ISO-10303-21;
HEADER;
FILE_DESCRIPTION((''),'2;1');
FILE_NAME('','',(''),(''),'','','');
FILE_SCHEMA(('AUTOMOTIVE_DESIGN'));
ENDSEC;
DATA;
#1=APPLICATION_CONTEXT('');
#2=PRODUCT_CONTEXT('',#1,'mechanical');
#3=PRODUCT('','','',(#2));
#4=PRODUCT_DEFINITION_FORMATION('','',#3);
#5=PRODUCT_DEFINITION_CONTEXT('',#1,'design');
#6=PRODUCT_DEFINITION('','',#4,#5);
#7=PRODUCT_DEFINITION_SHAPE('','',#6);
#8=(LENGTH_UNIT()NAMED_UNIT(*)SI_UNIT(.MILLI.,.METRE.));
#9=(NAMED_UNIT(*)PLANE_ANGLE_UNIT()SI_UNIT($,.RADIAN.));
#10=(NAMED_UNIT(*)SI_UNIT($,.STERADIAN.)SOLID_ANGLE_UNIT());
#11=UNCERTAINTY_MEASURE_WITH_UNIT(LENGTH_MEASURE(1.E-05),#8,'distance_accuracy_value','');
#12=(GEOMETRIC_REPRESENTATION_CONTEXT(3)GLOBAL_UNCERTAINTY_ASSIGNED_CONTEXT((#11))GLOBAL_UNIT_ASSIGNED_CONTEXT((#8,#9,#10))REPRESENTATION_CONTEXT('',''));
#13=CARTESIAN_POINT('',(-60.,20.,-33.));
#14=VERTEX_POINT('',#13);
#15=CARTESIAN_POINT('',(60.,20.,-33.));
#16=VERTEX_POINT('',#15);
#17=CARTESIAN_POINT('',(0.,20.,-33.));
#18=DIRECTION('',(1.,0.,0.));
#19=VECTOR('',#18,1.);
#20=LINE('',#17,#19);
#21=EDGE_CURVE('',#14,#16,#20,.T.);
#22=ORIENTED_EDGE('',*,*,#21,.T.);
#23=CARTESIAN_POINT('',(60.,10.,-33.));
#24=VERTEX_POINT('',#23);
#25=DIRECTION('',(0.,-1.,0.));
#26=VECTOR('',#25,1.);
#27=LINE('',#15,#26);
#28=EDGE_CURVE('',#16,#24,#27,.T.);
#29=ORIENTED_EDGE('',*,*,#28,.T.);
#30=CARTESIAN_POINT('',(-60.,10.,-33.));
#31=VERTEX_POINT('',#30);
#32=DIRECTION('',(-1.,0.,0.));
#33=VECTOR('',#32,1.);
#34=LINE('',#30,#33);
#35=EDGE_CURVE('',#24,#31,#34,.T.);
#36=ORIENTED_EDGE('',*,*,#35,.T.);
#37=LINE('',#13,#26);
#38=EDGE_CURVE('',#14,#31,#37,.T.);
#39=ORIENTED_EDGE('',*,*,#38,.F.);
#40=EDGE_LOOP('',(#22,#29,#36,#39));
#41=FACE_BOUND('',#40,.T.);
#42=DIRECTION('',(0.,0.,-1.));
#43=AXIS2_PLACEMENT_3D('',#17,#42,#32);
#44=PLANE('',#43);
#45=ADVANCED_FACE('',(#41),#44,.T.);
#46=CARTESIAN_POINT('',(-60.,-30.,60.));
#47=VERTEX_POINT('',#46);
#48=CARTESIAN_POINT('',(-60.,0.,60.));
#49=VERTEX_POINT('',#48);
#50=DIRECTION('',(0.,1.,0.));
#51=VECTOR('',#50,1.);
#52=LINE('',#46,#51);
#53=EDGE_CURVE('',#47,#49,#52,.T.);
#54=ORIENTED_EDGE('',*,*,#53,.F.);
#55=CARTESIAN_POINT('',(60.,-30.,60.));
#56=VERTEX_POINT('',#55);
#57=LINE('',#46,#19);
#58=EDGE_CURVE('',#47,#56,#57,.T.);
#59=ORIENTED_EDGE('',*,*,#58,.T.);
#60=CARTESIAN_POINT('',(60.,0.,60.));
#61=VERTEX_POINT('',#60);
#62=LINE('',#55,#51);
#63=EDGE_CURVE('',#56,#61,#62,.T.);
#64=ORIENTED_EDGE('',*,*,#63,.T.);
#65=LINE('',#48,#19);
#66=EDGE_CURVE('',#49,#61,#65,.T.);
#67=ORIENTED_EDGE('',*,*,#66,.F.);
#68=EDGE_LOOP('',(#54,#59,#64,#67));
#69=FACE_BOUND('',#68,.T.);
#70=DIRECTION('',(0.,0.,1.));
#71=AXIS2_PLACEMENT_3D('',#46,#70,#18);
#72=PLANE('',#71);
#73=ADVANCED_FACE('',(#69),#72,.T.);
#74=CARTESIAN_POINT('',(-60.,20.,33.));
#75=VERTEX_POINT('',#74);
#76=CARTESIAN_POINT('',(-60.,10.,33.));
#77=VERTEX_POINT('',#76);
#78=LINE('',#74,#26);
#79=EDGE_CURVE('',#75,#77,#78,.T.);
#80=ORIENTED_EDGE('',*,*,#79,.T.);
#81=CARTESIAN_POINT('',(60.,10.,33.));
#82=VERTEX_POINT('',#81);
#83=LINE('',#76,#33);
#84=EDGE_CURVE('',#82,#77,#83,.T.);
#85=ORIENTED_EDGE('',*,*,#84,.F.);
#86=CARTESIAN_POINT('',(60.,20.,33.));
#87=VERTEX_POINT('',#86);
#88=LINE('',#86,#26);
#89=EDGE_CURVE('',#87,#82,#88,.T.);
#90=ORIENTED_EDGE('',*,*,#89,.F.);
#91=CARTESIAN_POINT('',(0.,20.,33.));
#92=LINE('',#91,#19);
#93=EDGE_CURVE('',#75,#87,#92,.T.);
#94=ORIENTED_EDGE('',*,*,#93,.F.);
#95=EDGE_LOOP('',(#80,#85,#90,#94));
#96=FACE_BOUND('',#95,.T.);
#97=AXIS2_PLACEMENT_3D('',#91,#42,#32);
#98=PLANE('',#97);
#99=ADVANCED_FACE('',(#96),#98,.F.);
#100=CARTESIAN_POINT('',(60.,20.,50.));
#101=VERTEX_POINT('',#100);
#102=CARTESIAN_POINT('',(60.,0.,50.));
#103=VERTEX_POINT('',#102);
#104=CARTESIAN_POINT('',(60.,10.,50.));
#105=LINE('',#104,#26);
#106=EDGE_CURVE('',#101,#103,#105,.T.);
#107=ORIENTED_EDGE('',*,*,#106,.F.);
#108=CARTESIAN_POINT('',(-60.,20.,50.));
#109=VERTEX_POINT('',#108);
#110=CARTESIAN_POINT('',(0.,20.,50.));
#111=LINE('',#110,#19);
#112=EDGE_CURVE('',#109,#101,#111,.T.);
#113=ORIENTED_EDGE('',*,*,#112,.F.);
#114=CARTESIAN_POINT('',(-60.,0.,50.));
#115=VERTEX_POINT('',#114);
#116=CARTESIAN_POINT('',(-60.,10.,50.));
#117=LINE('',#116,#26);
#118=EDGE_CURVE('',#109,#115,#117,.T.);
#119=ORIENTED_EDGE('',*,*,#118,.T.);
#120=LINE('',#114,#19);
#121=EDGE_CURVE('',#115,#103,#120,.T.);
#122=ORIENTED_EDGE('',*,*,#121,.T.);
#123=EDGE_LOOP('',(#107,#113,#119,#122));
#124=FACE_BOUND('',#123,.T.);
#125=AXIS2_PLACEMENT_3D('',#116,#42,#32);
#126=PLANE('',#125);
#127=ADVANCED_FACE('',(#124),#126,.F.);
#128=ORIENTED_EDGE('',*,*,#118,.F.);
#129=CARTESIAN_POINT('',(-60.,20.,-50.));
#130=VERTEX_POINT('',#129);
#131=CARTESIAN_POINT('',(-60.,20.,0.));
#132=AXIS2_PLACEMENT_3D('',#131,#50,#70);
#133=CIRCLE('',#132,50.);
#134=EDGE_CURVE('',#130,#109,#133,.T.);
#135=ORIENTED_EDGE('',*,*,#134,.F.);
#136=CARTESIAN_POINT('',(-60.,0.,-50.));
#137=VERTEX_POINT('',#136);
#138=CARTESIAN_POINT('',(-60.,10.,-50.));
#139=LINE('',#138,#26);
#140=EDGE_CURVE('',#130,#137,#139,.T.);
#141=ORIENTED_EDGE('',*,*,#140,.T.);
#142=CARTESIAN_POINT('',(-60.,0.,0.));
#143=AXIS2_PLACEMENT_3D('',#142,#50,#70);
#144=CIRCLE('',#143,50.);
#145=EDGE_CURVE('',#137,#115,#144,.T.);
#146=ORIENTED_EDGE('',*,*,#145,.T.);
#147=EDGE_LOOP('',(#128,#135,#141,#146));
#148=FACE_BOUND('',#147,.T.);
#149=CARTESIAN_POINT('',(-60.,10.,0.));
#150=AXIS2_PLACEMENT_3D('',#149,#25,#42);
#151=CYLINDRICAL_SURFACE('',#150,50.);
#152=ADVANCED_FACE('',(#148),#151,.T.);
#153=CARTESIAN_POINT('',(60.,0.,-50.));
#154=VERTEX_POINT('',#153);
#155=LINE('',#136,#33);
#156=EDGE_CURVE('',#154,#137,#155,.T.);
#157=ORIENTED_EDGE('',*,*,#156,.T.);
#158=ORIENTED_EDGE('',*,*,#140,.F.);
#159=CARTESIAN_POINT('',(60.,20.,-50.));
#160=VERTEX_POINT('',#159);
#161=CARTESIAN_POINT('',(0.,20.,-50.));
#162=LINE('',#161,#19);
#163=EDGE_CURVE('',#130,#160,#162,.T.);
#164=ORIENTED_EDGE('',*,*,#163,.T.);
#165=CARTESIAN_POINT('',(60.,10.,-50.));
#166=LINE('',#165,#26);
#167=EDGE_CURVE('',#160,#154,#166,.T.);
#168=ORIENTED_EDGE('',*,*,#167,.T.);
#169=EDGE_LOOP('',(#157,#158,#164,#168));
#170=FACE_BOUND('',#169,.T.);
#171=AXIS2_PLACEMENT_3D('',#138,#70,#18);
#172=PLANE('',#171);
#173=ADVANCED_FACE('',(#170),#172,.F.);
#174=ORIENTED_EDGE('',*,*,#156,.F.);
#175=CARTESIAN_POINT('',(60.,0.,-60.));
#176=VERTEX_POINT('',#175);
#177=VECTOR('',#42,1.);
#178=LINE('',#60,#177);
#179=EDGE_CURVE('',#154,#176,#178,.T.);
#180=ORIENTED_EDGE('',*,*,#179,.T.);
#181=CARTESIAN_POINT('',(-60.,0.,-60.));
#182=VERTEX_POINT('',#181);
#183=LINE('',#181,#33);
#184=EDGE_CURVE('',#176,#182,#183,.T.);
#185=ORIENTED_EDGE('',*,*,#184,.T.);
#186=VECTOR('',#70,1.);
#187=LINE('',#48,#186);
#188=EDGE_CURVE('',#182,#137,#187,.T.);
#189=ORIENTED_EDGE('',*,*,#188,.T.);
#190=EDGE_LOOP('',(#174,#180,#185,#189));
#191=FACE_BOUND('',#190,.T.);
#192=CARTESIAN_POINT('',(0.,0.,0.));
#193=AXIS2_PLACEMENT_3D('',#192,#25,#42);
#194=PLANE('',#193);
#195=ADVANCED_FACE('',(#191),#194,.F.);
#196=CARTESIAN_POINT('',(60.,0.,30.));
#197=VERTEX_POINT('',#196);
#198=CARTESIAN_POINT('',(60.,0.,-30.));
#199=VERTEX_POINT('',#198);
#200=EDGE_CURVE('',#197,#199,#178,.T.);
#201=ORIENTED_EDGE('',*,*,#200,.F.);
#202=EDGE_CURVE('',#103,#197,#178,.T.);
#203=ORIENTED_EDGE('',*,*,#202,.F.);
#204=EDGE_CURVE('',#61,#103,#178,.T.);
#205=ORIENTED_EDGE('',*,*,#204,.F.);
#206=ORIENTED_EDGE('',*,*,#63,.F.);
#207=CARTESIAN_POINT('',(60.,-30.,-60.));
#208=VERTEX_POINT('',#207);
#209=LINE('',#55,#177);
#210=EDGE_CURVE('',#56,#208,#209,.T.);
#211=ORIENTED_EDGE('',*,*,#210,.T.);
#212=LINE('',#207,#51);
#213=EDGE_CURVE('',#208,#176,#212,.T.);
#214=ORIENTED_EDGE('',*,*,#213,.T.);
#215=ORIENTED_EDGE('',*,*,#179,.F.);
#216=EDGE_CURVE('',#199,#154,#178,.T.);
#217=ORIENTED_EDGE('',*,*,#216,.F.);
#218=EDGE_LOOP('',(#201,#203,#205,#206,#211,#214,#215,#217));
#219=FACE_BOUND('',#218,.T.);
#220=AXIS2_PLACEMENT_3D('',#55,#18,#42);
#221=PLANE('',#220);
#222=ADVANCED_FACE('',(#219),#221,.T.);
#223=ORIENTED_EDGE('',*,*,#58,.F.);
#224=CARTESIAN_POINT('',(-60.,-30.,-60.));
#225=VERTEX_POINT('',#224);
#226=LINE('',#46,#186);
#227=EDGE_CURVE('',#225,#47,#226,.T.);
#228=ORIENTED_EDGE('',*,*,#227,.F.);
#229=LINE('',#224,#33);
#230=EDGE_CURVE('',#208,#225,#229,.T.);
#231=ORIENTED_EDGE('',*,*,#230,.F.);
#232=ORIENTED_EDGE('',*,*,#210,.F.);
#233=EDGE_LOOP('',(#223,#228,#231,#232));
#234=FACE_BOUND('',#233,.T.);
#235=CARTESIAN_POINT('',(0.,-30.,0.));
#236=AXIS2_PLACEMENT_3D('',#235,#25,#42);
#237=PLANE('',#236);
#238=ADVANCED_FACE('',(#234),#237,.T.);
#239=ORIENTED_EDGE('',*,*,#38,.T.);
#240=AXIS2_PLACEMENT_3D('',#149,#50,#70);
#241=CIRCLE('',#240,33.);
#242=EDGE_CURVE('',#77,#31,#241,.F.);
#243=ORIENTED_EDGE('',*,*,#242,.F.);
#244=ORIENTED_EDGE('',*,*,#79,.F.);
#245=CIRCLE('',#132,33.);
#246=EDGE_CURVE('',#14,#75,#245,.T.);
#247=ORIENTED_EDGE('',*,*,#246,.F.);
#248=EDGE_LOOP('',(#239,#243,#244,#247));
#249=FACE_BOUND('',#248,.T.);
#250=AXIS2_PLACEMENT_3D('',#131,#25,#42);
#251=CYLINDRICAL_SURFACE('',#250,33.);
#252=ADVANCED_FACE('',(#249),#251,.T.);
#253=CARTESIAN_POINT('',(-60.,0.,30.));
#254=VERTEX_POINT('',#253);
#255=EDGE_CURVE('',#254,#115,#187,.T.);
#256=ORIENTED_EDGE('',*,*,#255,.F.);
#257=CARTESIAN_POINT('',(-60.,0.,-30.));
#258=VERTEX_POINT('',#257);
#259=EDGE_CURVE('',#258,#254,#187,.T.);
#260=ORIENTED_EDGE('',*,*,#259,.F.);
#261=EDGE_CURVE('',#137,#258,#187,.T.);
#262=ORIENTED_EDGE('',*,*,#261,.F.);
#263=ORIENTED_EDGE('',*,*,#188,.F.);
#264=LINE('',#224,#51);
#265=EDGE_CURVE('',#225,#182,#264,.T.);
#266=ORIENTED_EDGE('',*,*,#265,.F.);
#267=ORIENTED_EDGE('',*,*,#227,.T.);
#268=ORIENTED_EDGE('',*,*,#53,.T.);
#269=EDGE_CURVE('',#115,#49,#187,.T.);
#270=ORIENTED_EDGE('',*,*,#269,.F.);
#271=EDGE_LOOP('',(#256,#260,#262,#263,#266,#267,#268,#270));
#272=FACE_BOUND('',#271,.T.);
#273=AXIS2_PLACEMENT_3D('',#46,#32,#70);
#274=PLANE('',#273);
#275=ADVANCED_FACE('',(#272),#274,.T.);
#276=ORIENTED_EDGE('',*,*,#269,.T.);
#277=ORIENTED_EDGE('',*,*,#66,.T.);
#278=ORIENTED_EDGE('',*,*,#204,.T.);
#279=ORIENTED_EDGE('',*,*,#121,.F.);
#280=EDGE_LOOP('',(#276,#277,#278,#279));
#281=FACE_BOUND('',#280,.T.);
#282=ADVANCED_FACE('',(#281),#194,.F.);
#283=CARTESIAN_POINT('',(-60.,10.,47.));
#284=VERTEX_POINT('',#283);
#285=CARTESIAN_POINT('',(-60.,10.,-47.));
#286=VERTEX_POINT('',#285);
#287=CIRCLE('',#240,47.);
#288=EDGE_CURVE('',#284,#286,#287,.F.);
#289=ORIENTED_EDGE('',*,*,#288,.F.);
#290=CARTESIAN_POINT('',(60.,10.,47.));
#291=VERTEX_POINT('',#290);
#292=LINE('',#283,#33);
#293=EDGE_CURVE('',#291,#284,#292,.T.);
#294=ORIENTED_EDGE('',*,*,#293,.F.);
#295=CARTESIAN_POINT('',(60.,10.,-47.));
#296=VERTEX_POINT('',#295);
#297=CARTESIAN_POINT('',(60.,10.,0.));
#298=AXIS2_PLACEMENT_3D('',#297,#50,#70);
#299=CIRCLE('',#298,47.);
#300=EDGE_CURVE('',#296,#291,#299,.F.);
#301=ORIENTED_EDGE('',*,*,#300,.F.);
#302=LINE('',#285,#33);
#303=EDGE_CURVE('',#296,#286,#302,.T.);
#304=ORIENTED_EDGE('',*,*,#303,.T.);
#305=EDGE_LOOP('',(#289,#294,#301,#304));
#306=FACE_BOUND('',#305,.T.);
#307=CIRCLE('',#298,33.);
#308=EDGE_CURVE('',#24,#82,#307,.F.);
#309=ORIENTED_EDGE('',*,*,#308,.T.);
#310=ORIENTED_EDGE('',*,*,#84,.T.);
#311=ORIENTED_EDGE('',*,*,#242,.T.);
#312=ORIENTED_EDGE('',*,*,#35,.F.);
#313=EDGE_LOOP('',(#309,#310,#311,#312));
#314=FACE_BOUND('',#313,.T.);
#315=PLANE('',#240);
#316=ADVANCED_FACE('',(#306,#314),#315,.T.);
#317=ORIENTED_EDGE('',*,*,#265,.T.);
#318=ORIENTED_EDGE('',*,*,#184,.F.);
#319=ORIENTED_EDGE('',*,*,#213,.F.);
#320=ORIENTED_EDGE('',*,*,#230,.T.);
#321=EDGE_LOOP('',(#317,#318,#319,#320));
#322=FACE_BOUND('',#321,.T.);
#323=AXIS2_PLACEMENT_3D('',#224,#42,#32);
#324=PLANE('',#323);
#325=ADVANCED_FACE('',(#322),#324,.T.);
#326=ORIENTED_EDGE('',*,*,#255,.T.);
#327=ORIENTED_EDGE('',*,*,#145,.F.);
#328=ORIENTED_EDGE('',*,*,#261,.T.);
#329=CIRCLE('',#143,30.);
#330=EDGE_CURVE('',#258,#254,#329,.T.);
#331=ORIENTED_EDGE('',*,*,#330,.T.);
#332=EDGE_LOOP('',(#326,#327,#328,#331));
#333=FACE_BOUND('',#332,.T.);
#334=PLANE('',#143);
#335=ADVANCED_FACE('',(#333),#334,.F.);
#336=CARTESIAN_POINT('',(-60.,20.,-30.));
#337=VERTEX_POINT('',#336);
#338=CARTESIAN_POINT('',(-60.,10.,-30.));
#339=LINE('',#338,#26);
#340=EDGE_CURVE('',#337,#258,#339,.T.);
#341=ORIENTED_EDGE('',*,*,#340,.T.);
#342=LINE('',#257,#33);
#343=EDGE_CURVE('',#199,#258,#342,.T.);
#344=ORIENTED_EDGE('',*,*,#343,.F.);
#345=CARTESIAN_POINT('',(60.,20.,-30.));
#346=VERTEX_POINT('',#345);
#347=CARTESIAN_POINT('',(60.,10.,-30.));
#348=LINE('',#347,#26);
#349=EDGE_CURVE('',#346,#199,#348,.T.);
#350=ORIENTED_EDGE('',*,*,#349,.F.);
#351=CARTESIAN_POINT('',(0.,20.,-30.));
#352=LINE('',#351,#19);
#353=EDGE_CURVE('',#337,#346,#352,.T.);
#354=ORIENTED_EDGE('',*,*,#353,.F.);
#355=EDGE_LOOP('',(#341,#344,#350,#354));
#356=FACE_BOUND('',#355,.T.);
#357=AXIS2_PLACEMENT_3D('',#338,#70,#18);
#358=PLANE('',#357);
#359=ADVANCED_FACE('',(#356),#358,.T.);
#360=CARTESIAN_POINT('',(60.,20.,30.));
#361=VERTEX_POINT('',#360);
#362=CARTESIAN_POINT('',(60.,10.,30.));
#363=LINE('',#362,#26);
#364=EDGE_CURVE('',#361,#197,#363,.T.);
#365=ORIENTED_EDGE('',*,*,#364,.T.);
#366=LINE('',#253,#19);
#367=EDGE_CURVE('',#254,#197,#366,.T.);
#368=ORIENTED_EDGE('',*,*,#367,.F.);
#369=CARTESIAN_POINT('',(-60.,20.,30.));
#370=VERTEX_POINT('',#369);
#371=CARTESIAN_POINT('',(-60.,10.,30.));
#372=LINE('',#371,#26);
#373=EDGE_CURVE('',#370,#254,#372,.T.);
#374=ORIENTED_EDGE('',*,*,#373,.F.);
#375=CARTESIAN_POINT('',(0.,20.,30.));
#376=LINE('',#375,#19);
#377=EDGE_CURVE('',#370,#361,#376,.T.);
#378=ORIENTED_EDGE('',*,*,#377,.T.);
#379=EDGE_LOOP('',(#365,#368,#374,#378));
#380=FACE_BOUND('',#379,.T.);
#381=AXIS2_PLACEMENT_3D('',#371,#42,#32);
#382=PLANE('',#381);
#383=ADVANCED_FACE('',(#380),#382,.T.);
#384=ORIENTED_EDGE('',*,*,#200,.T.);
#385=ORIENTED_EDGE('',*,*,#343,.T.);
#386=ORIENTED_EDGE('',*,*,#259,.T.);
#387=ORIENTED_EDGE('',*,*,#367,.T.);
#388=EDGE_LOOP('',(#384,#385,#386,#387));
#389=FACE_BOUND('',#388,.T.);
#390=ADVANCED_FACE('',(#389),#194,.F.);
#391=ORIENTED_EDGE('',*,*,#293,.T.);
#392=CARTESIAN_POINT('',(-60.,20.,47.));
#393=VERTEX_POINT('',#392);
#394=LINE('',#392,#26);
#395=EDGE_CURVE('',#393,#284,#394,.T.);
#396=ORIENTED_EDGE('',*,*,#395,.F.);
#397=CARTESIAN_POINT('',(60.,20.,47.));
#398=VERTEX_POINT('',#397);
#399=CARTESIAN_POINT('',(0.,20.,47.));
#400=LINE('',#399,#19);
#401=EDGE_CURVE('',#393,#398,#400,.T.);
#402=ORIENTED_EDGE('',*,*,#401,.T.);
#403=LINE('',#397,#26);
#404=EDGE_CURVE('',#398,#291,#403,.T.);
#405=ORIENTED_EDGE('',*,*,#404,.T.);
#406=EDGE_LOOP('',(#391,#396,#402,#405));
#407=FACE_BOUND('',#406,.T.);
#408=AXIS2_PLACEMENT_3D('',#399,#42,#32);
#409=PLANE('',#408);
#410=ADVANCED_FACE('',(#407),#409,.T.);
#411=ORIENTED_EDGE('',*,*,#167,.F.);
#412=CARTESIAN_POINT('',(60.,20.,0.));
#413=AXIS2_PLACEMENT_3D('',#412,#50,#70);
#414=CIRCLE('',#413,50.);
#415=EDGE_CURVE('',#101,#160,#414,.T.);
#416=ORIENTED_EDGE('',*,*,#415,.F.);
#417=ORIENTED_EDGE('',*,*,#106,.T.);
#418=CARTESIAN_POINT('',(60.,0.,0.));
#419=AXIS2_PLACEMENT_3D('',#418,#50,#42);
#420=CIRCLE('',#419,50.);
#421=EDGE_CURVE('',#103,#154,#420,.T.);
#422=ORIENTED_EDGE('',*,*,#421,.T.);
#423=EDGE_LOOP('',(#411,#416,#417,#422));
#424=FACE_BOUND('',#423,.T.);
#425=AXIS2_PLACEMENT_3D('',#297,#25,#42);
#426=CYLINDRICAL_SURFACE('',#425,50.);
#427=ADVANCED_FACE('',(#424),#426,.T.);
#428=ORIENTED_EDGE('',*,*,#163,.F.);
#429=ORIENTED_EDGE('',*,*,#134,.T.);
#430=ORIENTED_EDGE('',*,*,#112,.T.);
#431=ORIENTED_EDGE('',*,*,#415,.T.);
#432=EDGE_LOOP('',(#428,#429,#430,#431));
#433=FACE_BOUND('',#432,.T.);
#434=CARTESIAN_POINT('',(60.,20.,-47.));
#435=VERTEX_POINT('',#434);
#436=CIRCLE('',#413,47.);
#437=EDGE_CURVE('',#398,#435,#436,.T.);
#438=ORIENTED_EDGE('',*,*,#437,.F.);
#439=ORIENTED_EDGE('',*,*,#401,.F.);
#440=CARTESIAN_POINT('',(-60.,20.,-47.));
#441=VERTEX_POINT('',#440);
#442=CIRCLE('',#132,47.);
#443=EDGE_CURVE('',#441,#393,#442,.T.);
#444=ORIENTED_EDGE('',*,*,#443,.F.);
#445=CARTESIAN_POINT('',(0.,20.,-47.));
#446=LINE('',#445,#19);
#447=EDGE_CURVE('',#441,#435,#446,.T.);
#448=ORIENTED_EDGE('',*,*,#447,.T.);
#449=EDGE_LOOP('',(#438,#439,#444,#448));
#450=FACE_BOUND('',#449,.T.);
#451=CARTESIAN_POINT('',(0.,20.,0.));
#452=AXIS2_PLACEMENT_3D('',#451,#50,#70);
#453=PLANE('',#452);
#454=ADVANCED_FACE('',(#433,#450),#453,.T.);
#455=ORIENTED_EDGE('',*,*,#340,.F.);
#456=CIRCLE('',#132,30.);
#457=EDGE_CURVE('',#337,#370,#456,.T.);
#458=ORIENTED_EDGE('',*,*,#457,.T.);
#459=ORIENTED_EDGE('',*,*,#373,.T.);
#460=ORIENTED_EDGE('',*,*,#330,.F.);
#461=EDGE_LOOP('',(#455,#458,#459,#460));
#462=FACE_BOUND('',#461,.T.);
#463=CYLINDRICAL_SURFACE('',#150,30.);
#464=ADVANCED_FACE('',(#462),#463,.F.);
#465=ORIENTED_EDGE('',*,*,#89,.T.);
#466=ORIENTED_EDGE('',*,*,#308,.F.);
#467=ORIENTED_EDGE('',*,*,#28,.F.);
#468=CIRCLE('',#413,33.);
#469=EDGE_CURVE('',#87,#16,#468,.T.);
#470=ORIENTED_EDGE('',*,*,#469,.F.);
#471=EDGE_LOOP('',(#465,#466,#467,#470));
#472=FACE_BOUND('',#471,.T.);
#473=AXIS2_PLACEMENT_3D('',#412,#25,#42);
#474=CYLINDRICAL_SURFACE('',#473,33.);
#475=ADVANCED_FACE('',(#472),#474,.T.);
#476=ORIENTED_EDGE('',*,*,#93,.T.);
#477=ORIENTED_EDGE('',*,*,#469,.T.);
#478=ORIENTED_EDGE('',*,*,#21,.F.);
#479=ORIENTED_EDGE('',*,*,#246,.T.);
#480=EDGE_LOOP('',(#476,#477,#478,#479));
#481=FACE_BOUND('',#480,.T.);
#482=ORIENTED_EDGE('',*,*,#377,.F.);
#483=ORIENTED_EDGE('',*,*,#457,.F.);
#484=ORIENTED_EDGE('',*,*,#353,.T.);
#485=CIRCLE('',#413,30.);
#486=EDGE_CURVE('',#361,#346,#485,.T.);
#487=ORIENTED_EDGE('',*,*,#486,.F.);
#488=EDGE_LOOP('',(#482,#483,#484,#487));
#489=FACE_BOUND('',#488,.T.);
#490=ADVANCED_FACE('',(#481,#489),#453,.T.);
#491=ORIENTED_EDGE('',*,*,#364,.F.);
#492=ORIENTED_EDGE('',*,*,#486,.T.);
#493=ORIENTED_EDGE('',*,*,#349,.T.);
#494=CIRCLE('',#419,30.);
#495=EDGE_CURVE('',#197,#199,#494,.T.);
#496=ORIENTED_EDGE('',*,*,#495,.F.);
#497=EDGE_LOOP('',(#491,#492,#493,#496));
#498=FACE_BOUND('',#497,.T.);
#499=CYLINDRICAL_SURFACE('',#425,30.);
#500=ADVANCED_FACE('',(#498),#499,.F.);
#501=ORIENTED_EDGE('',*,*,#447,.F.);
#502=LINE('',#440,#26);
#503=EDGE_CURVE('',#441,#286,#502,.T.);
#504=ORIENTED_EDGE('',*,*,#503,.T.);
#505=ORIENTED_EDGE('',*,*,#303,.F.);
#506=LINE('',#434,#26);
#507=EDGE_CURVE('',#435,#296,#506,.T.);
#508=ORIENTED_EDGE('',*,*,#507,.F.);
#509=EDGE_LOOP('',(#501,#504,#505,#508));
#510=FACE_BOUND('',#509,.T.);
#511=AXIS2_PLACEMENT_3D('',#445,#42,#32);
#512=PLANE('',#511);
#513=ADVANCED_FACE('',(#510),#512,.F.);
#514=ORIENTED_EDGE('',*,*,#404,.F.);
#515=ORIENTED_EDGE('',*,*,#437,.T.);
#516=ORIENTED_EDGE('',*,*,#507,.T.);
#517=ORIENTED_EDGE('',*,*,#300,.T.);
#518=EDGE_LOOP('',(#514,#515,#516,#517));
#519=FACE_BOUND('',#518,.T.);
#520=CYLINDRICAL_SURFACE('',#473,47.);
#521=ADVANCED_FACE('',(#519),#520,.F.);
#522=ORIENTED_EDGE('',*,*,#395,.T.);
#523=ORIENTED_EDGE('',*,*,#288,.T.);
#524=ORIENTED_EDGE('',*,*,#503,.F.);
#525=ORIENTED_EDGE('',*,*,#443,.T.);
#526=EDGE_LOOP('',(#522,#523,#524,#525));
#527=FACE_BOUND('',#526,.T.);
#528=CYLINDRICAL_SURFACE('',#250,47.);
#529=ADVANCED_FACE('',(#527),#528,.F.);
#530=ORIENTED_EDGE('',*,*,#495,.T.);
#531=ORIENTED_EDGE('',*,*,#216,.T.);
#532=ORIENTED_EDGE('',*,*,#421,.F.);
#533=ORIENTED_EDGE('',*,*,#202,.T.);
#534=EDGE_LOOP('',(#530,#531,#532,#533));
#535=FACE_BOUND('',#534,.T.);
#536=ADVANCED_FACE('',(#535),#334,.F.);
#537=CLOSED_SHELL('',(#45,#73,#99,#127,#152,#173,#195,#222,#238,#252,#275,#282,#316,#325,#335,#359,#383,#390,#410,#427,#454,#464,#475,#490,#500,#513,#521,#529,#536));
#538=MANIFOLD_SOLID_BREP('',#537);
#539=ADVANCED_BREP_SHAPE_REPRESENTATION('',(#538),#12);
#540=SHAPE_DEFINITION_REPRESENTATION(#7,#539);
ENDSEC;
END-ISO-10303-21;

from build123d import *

# Parameters (mm, degrees)
EXTRUDE_3_DEPTH = 10
EXTRUDE_4_DEPTH = 20
SKETCH_6_W      = 120
SKETCH_6_H      = 120
EXTRUDE_5_DEPTH = 30


with BuildPart() as part:
    # 草圖1 → 填料-伸長3 (new body)
    with BuildSketch(Plane(origin=(0, 0, 0), x_dir=(1, 0, 0), z_dir=(0, 1, 0))):
        with BuildLine():
            Line((-60, 50), (60, 50))
            ThreePointArc((60, 50), (110, 0), (60, -50))
            Line((60, -50), (-60, -50))
            ThreePointArc((-60, -50), (-110, 0), (-60, 50))
        make_face()
        with BuildLine():
            Line((-60, -30), (60, -30))
            ThreePointArc((60, -30), (90, 0), (60, 30))
            Line((60, 30), (-60, 30))
            ThreePointArc((-60, 30), (-90, 0), (-60, -30))
        make_face(mode=Mode.SUBTRACT)
    extrude(amount=EXTRUDE_3_DEPTH)

    # 草圖4 → 填料-伸長4 (add)
    # profile 1 of 2: a face of its own
    with BuildSketch(Plane(origin=(0, 0, 0), x_dir=(1, 0, 0), z_dir=(0, 1, 0))):
        with BuildLine():
            Line((-60, 50), (60, 50))
            ThreePointArc((60, 50), (110, 0), (60, -50))
            Line((60, -50), (-60, -50))
            ThreePointArc((-60, -50), (-110, 0), (-60, 50))
        make_face()
        with BuildLine():
            ThreePointArc((60, -47), (107, 0), (60, 47))
            Line((60, 47), (-60, 47))
            ThreePointArc((-60, 47), (-107, 0), (-60, -47))
            Line((-60, -47), (60, -47))
        make_face(mode=Mode.SUBTRACT)
    # profile 2 of 2: a face of its own
    with BuildSketch(Plane(origin=(0, 0, 0), x_dir=(1, 0, 0), z_dir=(0, 1, 0))):
        with BuildLine():
            Line((-60, 33), (60, 33))
            ThreePointArc((60, 33), (93, 0), (60, -33))
            Line((60, -33), (-60, -33))
            ThreePointArc((-60, -33), (-93, 0), (-60, 33))
        make_face()
        with BuildLine():
            ThreePointArc((-60, 30), (-90, 0), (-60, -30))
            Line((-60, -30), (60, -30))
            ThreePointArc((60, -30), (90, 0), (60, 30))
            Line((60, 30), (-60, 30))
        make_face(mode=Mode.SUBTRACT)
    extrude(amount=EXTRUDE_4_DEPTH)

    # 草圖6 → 填料-伸長5 (add)
    with BuildSketch(Plane(origin=(0, 0, 0), x_dir=(1, 0, 0), z_dir=(0, 1, 0))):
        Rectangle(SKETCH_6_W, SKETCH_6_H)
    extrude(amount=-EXTRUDE_5_DEPTH)


solid = part.part
